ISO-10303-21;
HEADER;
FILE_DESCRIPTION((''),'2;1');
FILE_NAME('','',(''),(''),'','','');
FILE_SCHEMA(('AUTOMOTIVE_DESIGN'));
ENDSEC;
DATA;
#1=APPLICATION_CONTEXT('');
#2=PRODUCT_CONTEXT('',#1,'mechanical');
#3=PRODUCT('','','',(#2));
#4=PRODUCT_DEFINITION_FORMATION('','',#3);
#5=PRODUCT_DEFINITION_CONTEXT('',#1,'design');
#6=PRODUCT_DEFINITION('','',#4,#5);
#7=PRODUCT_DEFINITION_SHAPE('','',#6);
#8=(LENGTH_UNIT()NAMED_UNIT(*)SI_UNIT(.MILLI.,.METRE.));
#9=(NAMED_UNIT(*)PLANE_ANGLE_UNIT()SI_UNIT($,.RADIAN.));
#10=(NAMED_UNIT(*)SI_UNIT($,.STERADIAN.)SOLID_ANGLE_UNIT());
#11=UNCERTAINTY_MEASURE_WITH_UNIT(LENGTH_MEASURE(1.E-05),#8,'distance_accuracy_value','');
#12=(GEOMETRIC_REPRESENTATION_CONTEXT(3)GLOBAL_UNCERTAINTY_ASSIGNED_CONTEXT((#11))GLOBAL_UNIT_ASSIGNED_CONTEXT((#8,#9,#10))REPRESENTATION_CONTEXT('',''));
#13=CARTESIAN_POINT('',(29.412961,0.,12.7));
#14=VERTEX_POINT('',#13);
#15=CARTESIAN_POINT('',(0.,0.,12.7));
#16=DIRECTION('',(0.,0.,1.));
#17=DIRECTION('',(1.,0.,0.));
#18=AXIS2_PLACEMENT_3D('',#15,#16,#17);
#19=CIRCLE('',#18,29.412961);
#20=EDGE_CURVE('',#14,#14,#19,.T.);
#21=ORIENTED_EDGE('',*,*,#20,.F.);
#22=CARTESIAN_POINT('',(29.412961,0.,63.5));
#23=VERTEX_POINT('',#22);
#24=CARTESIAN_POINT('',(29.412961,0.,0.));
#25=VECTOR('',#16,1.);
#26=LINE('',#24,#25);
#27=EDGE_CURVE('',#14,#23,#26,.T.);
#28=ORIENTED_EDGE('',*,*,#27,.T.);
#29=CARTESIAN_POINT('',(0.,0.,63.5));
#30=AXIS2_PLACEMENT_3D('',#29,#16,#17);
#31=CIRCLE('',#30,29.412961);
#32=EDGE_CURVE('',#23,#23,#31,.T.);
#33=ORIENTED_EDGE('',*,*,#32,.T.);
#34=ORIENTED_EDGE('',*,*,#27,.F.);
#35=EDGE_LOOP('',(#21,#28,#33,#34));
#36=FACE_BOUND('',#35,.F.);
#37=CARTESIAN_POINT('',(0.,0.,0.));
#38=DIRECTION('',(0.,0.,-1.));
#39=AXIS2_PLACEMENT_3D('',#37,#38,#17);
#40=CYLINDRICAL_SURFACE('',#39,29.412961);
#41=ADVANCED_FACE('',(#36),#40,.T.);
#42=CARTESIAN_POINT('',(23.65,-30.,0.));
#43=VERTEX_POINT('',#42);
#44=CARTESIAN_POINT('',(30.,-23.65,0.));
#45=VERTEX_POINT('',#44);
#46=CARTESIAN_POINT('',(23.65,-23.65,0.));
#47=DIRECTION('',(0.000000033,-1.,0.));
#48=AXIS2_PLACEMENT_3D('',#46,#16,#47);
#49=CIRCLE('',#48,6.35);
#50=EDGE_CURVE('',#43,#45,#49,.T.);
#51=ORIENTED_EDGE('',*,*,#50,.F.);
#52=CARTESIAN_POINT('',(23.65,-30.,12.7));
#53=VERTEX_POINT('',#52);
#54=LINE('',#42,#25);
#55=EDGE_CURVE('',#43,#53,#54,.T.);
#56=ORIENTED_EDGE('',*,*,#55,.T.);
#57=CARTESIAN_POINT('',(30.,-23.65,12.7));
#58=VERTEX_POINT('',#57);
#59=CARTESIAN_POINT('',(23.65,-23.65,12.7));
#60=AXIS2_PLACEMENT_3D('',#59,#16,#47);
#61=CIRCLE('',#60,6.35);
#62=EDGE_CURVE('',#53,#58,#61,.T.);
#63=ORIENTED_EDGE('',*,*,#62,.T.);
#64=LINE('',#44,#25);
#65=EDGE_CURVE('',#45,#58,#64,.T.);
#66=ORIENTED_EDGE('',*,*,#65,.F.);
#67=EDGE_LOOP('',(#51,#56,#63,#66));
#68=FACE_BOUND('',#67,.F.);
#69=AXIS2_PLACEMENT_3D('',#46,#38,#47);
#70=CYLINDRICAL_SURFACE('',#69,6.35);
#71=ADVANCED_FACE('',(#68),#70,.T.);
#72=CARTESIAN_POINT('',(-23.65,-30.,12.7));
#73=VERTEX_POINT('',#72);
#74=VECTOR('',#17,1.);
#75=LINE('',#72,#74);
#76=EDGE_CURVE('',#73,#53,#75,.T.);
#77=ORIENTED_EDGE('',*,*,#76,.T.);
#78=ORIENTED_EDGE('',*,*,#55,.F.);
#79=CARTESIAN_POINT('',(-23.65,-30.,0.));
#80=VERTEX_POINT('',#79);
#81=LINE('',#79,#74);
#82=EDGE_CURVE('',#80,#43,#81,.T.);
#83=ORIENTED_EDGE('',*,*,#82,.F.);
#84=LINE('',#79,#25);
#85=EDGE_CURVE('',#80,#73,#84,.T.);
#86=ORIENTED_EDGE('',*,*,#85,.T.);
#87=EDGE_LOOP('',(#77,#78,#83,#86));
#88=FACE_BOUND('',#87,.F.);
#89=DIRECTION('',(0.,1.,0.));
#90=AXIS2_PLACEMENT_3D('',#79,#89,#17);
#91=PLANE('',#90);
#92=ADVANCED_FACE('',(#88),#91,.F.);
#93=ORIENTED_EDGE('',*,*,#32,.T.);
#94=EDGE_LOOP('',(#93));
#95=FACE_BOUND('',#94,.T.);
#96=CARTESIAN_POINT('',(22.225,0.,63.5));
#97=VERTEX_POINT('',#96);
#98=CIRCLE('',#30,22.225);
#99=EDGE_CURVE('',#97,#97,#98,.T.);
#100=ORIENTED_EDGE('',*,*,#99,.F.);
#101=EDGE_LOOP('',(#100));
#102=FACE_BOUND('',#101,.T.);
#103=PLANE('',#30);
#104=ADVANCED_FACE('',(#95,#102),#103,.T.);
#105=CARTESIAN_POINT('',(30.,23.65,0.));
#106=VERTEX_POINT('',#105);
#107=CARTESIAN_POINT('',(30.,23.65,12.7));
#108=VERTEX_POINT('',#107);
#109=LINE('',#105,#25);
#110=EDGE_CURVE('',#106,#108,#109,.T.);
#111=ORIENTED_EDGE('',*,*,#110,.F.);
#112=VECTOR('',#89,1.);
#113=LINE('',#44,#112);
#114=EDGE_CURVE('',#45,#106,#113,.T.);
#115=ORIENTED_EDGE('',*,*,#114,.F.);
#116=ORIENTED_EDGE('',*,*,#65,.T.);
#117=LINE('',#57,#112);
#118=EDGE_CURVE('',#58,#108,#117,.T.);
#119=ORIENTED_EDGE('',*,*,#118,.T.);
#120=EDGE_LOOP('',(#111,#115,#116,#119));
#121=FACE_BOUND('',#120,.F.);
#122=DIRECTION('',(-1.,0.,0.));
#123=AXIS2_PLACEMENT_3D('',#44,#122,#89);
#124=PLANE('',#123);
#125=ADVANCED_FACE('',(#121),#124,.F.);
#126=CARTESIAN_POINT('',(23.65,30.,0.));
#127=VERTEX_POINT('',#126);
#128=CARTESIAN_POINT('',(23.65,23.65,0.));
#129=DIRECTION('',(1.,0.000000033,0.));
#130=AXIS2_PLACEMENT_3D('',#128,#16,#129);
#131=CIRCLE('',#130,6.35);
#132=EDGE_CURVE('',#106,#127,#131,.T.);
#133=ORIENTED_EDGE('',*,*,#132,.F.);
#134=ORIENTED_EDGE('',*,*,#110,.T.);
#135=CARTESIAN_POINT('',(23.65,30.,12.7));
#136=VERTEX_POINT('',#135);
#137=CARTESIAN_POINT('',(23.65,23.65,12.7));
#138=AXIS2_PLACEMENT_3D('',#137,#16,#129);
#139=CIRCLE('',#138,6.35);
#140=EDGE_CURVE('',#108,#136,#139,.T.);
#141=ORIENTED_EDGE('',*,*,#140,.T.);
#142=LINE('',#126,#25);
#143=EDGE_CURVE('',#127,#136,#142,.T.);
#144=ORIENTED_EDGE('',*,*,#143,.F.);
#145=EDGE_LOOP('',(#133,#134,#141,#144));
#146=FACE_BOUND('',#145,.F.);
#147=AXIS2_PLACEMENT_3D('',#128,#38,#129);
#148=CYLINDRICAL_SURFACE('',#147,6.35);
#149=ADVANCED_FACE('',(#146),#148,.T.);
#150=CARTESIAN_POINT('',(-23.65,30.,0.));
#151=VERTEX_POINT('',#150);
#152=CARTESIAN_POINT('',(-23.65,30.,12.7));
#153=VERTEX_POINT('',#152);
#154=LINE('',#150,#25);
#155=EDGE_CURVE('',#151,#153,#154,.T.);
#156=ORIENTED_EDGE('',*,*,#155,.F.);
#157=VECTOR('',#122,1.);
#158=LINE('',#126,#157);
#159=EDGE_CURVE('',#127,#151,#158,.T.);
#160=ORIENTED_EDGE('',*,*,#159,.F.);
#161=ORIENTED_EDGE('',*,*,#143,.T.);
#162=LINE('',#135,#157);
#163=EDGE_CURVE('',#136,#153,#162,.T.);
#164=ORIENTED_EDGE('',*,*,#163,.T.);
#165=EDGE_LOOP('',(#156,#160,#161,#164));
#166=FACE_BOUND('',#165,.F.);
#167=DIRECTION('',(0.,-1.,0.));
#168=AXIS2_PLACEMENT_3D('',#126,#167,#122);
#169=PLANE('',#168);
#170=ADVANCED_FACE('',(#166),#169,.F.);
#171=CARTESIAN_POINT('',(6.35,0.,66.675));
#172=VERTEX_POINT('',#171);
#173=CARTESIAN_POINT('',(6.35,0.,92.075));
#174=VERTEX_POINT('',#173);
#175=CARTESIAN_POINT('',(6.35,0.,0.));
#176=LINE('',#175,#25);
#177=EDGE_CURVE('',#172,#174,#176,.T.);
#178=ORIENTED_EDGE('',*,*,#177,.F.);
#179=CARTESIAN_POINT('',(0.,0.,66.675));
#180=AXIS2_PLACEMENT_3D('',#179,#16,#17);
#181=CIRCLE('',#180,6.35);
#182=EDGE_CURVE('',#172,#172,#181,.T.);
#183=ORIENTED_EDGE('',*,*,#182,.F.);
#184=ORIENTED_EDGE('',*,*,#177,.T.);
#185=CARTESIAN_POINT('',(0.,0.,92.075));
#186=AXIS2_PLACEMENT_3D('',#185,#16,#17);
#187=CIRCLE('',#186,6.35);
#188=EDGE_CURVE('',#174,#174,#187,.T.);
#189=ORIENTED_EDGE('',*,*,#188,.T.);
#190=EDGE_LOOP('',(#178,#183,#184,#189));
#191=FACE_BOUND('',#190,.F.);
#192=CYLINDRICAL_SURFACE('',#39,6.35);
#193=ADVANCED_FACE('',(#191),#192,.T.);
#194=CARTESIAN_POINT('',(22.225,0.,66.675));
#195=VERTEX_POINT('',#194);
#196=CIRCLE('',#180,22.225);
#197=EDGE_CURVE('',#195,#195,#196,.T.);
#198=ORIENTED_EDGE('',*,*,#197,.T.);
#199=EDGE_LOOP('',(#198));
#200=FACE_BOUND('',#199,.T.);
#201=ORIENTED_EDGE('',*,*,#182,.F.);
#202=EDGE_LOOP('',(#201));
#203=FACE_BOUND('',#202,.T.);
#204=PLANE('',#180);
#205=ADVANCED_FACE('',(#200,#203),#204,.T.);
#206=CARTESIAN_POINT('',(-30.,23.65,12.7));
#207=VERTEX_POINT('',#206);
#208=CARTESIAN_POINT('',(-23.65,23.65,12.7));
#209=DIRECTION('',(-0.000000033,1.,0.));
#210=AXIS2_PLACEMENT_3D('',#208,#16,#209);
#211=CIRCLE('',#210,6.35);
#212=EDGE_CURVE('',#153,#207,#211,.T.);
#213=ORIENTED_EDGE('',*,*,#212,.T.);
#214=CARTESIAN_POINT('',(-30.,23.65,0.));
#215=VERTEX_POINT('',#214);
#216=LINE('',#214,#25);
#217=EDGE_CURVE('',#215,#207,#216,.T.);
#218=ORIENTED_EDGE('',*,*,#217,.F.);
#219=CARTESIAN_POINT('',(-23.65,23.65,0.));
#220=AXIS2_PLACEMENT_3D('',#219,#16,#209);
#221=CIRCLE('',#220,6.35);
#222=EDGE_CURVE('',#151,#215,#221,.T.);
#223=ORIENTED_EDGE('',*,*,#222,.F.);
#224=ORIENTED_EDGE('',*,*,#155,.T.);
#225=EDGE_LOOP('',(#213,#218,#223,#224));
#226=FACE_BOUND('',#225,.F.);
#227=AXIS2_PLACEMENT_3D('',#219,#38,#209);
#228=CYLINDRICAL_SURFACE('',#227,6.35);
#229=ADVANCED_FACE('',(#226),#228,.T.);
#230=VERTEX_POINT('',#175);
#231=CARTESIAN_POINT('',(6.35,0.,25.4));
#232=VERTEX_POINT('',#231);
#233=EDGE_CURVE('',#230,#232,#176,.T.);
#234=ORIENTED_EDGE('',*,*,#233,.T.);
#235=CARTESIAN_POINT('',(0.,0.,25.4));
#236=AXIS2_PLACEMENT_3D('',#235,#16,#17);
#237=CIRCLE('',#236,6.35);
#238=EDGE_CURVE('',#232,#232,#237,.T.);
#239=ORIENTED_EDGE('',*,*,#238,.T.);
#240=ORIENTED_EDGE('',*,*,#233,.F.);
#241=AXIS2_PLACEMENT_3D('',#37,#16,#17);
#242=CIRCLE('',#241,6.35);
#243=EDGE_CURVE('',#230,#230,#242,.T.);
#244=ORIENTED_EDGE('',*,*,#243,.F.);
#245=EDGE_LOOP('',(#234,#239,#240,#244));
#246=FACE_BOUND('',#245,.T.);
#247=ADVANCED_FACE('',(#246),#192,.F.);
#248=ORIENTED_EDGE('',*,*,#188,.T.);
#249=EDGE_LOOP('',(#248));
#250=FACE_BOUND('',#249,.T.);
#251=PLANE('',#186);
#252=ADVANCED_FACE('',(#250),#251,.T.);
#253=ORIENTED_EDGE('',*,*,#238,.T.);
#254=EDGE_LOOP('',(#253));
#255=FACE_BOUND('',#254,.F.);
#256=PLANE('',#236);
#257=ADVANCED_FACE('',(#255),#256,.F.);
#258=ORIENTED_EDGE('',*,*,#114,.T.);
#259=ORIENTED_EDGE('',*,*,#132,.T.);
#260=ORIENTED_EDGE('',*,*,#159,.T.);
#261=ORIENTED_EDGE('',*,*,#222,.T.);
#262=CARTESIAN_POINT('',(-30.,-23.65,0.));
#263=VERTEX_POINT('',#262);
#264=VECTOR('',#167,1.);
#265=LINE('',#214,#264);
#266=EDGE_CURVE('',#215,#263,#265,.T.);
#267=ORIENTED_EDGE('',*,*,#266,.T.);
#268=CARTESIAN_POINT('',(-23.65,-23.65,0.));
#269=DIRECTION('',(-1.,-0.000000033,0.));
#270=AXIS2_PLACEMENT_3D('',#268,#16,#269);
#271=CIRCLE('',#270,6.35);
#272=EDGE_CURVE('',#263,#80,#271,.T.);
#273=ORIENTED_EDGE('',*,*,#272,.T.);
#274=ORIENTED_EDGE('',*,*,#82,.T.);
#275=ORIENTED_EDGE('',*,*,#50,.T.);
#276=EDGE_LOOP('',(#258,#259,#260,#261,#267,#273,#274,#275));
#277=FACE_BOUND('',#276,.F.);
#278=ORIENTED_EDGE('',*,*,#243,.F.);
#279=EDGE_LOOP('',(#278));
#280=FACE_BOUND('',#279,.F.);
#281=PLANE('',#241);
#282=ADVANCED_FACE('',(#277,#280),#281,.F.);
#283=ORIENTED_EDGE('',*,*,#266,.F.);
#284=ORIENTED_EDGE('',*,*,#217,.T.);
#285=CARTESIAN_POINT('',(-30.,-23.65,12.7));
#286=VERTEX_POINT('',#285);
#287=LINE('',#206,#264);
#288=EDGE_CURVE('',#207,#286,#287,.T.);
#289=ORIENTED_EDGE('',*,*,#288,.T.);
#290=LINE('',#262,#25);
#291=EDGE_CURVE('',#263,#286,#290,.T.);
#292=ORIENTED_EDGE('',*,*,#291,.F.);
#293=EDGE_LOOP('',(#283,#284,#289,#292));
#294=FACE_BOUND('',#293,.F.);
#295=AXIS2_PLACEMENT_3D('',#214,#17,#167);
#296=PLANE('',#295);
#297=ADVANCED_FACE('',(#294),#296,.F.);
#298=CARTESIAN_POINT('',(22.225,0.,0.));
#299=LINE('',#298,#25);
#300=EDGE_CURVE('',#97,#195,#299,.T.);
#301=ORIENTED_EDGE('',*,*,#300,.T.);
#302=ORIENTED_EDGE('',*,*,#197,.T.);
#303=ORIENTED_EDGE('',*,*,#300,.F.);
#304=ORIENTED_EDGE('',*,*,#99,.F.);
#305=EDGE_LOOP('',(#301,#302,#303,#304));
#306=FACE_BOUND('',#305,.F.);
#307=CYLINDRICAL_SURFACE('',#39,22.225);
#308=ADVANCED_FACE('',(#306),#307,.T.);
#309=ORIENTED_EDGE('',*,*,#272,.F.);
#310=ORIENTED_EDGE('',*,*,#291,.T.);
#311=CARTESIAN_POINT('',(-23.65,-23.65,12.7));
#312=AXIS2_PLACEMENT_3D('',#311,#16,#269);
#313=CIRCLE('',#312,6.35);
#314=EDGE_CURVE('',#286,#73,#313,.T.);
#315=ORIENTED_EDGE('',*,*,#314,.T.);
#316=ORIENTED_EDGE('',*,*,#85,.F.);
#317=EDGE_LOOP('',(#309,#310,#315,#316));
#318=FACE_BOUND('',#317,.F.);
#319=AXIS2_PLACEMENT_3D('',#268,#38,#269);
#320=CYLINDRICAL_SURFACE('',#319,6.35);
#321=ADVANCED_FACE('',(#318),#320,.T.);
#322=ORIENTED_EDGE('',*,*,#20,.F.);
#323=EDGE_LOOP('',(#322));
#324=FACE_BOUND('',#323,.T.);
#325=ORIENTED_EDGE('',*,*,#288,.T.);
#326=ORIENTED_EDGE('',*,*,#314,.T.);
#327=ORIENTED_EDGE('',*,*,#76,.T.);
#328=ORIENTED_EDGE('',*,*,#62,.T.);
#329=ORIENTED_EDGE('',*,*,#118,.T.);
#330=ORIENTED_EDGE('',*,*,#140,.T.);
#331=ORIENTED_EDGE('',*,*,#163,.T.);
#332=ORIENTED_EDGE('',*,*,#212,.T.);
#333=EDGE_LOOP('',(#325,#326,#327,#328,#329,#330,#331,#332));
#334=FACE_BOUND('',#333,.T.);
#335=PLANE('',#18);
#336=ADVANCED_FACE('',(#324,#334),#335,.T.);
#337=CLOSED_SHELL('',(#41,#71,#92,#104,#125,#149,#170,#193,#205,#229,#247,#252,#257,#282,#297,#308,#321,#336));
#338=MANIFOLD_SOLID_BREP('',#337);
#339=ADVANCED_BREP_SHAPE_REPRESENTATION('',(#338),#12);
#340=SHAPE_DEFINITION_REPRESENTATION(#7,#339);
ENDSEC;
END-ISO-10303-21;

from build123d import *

# Parameters (mm, degrees)
F0_R     = 29.412961
F1_DEPTH = 12.7
F0_R_2   = 22.225
F2_DEPTH = 63.5
F0_R_3   = 6.35
F3_DEPTH = 66.675
F4_DEPTH = 92.075
F5_DEPTH = 25.4


with BuildPart() as f1:
    # F0 (on Top) → F1 (new body)
    with BuildSketch(Plane.XY):
        with BuildLine():
            Line((-23.65, -30), (23.65, -30))
            ThreePointArc((23.65, -30), (28.140128, -28.140128), (30, -23.65))
            Line((30, -23.65), (30, 23.65))
            ThreePointArc((30, 23.65), (28.140128, 28.140128), (23.65, 30))
            Line((23.65, 30), (-23.65, 30))
            ThreePointArc((-23.65, 30), (-28.140128, 28.140128), (-30, 23.65))
            Line((-30, 23.65), (-30, -23.65))
            ThreePointArc((-30, -23.65), (-28.140128, -28.140128), (-23.65, -30))
        make_face()
        Circle(F0_R, mode=Mode.SUBTRACT)
    extrude(amount=F1_DEPTH)

    # F0 (on Top) → F2 (join)
    with BuildSketch(Plane.XY):
        Circle(F0_R)
        Circle(F0_R_2, mode=Mode.SUBTRACT)
    extrude(amount=F2_DEPTH)

    # F0 (on Top) → F3 (join)
    with BuildSketch(Plane.XY):
        Circle(F0_R_2)
        Circle(F0_R_3, mode=Mode.SUBTRACT)
    extrude(amount=F3_DEPTH)

    # F0 (on Top) → F4 (join)
    with BuildSketch(Plane.XY):
        Circle(F0_R_3)
    extrude(amount=F4_DEPTH)

    # F0 (on Top) → F5 (cut)
    with BuildSketch(Plane.XY):
        Circle(F0_R_3)
    extrude(amount=F5_DEPTH, mode=Mode.SUBTRACT)


solid = f1.part
